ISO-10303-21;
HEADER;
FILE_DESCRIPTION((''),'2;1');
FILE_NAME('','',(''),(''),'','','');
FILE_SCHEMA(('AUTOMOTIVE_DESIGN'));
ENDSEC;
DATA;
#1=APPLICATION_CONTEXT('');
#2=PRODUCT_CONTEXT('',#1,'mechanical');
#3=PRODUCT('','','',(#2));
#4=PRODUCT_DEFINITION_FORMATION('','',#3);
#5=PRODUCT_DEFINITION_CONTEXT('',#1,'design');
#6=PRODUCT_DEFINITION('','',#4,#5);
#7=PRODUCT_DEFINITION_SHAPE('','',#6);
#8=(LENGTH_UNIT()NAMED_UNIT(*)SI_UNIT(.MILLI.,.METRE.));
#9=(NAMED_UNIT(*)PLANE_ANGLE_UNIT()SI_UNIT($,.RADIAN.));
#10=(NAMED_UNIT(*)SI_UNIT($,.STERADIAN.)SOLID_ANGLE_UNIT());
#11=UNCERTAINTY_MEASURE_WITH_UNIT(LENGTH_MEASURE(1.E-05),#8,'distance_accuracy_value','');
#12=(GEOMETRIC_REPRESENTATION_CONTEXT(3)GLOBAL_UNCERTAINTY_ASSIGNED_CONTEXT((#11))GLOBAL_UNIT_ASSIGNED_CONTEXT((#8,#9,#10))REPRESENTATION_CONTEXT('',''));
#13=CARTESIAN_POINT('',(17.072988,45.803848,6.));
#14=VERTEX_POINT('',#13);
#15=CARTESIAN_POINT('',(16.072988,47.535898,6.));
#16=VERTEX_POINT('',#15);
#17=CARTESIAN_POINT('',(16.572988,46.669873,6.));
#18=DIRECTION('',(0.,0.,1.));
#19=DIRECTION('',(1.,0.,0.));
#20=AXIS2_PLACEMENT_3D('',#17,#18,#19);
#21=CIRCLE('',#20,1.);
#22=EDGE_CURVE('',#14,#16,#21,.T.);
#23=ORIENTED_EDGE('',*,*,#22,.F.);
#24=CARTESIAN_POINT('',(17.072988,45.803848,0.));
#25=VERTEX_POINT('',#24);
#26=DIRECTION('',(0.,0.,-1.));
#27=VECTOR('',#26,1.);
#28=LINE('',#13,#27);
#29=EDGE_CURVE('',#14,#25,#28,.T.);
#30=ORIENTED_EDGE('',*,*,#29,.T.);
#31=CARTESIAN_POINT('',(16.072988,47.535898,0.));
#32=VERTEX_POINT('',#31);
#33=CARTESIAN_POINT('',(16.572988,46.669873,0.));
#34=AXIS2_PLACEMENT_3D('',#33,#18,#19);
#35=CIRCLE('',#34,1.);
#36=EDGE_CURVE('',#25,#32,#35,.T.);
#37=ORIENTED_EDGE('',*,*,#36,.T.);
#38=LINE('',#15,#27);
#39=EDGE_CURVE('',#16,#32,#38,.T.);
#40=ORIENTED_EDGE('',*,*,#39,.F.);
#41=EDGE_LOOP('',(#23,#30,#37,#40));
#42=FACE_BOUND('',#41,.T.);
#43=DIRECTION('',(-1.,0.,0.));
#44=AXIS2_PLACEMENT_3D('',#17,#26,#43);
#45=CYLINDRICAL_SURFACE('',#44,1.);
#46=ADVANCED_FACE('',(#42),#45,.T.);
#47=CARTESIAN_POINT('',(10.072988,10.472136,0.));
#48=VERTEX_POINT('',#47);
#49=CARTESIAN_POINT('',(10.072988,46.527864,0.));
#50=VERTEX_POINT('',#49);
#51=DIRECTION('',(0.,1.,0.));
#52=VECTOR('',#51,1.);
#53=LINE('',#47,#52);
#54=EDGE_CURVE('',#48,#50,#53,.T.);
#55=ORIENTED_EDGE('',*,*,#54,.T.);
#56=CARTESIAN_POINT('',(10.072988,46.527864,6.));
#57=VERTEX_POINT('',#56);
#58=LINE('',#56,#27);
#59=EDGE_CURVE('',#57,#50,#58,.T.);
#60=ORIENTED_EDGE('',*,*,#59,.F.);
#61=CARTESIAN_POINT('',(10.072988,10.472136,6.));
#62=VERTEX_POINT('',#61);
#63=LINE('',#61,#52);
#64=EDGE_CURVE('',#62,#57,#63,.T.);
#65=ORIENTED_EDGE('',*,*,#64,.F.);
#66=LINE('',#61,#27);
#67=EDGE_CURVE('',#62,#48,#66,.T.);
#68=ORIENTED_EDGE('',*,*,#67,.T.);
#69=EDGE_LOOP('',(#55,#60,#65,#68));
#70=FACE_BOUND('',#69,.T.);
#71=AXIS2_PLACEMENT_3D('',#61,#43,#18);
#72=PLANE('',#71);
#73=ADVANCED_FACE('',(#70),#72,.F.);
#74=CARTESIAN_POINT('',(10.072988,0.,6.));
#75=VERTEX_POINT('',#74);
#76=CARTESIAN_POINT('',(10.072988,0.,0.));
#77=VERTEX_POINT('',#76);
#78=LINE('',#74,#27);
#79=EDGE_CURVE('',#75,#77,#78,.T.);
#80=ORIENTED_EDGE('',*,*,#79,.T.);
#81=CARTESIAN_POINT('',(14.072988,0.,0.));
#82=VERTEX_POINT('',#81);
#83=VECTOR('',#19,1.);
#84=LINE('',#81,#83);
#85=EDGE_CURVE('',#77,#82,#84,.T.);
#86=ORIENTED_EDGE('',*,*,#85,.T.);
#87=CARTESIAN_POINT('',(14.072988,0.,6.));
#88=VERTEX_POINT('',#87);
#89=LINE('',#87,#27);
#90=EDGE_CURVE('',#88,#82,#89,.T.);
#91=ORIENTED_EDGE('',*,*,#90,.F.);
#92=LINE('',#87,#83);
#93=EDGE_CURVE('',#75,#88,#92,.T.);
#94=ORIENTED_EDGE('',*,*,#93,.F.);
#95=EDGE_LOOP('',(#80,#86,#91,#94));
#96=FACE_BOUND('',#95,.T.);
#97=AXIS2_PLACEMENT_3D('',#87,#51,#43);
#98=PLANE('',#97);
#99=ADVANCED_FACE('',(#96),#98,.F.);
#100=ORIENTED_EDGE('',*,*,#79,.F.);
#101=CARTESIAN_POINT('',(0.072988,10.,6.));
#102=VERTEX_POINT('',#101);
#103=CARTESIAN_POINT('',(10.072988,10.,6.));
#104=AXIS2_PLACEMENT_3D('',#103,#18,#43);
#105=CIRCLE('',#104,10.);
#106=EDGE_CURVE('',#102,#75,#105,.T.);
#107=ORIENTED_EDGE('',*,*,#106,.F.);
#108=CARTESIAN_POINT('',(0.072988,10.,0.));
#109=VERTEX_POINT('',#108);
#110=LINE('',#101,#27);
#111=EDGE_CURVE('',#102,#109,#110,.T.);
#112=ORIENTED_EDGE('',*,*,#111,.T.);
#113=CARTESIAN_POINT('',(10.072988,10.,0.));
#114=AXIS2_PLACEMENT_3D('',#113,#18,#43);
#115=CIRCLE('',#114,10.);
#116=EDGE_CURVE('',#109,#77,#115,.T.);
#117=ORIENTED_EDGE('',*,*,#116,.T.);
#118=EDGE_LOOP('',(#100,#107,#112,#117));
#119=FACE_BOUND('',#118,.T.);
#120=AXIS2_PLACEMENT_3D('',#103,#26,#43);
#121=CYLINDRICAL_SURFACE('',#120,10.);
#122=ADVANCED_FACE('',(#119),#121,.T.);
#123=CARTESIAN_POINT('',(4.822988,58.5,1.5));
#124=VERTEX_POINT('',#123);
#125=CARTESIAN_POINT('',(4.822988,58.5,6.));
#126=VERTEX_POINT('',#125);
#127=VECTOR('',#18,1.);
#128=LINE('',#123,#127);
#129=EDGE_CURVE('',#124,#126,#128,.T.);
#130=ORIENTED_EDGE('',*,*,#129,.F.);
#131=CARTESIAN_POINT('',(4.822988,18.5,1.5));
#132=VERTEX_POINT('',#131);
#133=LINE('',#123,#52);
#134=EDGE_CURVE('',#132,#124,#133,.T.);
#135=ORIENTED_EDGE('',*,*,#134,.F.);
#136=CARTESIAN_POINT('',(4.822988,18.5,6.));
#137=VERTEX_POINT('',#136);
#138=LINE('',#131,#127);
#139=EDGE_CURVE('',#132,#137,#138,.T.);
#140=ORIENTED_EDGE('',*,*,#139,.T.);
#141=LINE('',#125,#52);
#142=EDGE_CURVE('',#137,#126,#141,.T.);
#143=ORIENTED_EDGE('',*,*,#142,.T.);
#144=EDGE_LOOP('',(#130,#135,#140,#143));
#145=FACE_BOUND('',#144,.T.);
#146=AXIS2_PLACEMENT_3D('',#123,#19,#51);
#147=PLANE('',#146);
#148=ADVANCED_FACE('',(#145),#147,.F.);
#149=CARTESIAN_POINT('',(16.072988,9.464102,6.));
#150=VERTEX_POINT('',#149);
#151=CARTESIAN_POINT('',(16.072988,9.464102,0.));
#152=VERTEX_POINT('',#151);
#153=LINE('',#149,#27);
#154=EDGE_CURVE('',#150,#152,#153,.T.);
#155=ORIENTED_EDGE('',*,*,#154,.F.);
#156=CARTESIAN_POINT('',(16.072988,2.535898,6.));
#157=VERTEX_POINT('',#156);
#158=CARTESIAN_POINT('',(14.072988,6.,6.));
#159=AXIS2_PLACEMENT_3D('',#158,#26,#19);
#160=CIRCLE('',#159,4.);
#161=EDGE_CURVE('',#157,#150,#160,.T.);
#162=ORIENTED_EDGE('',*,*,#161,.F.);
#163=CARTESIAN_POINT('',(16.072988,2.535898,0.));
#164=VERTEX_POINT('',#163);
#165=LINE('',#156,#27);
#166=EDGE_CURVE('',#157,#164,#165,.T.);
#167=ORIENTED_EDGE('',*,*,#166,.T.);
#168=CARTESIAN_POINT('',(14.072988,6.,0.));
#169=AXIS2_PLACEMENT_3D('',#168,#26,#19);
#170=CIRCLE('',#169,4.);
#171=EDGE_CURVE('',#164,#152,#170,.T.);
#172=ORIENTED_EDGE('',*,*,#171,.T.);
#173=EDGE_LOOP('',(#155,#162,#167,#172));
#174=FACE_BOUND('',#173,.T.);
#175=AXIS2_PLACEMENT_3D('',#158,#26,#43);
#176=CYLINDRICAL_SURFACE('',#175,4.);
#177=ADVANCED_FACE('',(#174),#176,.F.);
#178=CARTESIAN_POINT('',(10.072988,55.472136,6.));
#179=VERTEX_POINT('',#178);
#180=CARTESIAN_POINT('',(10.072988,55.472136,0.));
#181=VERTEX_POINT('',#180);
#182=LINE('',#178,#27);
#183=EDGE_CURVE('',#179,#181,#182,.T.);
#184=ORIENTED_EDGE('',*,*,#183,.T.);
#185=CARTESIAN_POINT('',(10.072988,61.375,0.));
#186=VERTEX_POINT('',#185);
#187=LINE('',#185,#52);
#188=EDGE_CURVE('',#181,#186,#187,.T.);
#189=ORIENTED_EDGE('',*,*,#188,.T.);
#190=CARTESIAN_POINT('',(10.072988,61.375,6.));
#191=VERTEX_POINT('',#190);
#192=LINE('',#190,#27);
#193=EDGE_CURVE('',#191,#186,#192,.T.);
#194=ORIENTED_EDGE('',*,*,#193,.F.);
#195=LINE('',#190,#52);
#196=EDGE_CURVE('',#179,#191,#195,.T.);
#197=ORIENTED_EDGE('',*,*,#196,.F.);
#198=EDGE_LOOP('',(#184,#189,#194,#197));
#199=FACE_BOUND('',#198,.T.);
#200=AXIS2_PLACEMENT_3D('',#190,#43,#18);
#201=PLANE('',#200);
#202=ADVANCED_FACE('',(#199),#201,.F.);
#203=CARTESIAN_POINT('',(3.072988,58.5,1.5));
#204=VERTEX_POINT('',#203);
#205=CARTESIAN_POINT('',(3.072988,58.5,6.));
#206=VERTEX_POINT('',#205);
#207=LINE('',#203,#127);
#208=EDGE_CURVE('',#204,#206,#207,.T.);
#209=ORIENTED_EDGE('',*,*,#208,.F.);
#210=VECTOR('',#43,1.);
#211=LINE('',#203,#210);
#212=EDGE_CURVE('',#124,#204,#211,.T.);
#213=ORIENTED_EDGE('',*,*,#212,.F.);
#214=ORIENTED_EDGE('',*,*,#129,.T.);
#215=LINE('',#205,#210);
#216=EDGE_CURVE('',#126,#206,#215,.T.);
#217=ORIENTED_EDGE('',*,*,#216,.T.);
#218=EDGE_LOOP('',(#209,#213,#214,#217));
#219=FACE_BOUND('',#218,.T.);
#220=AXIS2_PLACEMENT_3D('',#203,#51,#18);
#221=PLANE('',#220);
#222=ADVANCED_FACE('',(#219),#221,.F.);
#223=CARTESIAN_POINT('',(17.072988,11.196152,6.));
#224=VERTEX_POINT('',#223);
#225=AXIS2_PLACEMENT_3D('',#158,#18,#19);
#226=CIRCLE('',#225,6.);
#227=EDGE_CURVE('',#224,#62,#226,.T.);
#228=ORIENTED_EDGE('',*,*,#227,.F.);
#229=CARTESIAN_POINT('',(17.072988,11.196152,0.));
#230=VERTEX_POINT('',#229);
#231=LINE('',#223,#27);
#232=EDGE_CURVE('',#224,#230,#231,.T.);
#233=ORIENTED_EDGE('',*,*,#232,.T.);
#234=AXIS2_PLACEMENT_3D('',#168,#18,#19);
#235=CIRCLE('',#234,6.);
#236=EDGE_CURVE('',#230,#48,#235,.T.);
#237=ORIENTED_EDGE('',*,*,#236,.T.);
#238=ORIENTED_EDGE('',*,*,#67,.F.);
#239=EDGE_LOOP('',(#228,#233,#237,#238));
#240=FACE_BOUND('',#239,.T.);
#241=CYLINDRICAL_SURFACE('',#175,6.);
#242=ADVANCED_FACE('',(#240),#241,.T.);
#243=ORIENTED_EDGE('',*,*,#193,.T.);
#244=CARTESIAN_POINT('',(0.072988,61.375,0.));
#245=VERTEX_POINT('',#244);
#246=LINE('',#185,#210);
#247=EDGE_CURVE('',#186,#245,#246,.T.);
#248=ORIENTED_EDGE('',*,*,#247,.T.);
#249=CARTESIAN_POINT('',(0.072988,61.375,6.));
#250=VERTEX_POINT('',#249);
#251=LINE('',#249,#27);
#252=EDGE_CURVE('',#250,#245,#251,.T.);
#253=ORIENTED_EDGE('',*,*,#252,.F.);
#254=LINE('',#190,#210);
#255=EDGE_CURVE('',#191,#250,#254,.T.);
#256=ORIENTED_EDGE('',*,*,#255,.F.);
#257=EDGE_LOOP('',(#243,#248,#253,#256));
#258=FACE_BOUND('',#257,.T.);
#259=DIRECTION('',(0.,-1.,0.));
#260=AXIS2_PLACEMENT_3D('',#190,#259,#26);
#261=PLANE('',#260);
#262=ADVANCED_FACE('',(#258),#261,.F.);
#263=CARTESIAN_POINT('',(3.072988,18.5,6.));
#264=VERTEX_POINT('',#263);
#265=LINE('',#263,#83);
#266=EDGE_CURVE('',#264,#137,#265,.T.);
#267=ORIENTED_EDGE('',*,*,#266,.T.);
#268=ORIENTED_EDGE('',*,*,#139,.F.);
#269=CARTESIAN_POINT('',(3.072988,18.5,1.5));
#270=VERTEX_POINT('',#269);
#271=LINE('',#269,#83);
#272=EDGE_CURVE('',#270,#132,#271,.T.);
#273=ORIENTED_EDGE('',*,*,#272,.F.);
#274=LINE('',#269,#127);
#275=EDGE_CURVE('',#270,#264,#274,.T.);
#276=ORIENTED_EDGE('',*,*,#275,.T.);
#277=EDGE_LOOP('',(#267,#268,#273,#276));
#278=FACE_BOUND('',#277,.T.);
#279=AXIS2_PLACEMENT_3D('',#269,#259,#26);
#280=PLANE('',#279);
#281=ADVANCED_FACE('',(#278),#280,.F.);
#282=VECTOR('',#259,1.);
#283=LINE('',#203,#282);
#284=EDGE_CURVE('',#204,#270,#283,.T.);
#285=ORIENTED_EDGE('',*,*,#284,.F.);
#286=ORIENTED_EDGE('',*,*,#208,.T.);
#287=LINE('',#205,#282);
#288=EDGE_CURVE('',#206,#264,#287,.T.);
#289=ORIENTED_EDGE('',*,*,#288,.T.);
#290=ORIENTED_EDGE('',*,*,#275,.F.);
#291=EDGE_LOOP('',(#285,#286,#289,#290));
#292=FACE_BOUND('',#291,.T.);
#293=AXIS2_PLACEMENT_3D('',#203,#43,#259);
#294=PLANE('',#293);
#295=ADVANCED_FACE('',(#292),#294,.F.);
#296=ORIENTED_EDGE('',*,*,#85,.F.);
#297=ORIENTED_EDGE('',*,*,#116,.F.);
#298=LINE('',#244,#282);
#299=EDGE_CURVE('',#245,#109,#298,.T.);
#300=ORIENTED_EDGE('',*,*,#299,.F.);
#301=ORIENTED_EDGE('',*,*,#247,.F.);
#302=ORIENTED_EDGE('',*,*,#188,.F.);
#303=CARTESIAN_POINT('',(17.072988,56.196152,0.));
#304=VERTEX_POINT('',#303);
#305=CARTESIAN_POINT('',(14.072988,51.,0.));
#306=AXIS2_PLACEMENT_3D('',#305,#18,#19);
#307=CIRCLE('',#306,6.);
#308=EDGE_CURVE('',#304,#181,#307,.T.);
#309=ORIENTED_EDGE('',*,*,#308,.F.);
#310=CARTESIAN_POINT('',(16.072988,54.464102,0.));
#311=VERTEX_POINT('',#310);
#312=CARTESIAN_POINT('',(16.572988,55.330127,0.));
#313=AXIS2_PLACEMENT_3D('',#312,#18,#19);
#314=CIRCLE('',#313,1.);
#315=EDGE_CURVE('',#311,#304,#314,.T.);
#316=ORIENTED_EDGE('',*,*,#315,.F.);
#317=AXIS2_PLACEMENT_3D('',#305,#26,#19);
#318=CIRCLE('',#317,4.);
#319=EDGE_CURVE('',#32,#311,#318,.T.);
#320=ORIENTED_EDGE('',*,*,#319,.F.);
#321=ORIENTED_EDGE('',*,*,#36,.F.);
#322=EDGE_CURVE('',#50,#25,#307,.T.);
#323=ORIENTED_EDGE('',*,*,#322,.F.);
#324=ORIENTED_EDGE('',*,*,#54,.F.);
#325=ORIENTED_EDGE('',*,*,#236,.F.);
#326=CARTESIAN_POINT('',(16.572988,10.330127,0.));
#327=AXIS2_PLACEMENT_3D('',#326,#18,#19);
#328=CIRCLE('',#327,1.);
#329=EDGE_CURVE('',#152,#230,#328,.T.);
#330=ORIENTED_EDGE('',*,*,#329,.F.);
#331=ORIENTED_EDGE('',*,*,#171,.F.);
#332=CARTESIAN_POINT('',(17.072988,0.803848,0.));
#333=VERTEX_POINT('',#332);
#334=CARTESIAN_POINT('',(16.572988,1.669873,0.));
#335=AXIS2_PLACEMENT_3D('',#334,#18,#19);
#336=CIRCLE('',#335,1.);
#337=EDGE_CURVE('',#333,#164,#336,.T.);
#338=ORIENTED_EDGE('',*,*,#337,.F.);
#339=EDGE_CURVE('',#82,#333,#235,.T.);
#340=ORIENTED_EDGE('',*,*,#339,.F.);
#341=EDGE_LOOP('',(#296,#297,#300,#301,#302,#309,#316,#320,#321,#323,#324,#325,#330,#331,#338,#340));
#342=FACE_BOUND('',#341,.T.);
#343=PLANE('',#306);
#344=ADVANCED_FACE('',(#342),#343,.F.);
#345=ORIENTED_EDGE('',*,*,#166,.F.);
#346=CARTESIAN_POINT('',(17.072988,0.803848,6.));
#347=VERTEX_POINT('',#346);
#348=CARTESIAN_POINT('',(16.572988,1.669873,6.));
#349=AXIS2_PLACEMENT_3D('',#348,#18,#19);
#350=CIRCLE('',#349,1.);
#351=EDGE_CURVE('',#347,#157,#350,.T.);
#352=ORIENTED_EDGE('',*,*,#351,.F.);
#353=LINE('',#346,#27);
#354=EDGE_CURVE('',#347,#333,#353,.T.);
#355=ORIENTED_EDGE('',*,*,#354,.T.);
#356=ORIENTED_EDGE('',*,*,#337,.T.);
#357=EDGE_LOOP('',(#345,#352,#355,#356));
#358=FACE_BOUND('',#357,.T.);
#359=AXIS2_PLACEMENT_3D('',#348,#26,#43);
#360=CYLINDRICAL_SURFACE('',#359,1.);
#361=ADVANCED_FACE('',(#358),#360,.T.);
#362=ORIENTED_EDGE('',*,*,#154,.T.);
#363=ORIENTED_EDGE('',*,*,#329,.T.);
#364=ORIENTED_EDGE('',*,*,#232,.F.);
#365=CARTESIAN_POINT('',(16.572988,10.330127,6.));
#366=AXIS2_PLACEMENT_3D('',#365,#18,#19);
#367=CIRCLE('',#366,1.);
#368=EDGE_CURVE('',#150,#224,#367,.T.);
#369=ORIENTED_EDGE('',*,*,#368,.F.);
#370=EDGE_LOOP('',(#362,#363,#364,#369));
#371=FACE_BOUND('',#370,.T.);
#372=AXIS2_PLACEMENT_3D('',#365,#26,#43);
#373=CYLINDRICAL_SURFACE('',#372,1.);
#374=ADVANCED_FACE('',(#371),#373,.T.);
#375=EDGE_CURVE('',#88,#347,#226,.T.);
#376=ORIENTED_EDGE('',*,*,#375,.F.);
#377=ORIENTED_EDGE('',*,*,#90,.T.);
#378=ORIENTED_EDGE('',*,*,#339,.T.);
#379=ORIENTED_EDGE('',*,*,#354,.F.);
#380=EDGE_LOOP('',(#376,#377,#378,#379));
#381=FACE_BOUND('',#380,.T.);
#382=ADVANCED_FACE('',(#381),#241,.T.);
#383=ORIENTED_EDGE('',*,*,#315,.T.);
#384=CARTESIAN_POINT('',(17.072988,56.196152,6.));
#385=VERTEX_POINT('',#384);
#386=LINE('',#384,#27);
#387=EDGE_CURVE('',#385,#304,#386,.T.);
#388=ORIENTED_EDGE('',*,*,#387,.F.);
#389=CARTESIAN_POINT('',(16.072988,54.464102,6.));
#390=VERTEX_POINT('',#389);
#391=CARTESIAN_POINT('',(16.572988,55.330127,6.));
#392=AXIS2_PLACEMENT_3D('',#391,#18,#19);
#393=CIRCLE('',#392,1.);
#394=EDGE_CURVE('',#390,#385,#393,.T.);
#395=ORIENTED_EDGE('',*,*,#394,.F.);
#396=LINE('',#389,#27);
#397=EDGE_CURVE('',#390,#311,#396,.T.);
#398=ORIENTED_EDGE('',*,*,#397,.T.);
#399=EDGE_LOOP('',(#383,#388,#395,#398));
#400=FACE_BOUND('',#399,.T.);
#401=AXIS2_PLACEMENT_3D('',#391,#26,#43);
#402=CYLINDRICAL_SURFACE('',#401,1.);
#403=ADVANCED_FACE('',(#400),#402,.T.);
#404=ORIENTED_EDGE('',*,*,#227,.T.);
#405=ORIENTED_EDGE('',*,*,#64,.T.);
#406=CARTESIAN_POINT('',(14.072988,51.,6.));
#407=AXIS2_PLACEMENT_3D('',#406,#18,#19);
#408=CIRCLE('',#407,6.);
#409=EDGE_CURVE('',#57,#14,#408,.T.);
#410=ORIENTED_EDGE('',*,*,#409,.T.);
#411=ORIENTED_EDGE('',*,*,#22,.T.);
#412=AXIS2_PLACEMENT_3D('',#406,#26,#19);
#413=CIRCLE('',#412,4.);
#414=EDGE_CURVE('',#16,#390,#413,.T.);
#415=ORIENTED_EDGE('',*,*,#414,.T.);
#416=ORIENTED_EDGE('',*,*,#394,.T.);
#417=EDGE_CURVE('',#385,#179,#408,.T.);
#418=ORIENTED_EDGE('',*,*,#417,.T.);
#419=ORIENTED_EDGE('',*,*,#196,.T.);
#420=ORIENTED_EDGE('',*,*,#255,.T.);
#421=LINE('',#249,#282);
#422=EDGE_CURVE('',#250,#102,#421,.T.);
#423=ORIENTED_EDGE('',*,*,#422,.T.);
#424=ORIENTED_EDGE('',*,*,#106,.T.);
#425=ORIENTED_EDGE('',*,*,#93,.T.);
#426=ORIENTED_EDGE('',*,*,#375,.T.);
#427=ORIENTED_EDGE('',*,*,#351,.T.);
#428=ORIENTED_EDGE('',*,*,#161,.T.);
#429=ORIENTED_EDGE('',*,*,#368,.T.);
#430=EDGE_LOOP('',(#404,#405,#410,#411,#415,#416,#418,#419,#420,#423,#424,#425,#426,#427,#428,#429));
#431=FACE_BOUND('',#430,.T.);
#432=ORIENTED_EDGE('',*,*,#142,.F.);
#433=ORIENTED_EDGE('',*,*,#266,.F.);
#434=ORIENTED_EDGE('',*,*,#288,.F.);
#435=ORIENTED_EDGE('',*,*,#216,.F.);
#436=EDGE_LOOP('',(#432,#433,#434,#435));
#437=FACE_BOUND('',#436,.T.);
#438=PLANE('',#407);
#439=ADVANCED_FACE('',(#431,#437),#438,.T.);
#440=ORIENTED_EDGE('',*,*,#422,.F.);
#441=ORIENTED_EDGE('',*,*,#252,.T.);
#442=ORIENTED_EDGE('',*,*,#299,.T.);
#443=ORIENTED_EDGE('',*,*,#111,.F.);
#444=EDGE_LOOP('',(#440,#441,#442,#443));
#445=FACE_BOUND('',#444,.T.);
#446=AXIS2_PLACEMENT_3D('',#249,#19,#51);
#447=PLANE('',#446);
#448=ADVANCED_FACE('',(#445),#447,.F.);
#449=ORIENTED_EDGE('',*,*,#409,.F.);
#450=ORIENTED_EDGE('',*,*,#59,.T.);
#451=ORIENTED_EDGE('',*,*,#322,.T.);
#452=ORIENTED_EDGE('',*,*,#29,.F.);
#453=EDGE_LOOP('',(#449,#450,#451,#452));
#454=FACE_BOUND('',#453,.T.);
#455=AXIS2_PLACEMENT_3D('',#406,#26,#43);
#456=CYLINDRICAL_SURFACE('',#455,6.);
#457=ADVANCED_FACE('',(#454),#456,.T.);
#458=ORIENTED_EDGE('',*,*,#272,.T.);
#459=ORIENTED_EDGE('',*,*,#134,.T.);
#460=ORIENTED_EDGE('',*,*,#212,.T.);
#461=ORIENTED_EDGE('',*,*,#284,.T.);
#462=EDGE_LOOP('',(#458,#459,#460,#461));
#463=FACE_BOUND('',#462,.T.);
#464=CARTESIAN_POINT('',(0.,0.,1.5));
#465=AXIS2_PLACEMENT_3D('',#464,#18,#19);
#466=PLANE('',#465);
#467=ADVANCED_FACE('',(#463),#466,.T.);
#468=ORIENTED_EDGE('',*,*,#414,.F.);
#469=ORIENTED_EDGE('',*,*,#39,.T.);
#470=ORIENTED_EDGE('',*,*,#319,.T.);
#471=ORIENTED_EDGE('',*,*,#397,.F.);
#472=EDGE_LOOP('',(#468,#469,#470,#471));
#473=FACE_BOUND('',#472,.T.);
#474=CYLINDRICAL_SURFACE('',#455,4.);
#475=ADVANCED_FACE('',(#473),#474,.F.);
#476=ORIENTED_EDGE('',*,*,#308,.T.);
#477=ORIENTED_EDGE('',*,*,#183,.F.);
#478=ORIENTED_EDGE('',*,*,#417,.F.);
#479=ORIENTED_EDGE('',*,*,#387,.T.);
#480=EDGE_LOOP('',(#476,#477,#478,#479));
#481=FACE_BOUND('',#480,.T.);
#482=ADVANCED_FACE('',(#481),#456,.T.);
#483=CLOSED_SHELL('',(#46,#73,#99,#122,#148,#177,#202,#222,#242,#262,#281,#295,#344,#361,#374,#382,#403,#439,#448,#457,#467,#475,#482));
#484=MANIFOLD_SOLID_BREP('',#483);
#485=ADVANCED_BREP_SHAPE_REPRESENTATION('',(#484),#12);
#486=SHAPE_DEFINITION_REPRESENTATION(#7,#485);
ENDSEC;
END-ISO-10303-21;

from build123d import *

# Parameters (mm, degrees)
BOSS_EXTRUDE_BASE_DEPTH = 6
SKETCH4_W               = 1.75
SKETCH4_H               = 40
CUT_EXTRUDE_SLOT_DEPTH  = 4.5


with BuildPart() as part:
    # Sketch1 → Boss-Extrude-Base (new body)
    with BuildSketch(Plane.XY):
        with BuildLine():
            Line((10.072988134, 10.472135955), (10.072988134, 46.527864045))
            ThreePointArc((10.072988134, 46.527864045), (13.45569569, 45.031838638), (17.072988134, 45.803847577))
            ThreePointArc((17.072988134, 45.803847577), (17.439013538, 47.169872981), (16.072988134, 47.535898385))
            ThreePointArc((16.072988134, 47.535898385), (10.072988134, 51), (16.072988134, 54.464101615))
            ThreePointArc((16.072988134, 54.464101615), (17.439013538, 54.830127019), (17.072988134, 56.196152423))
            ThreePointArc((17.072988134, 56.196152423), (13.45569569, 56.968161362), (10.072988134, 55.472135955))
            Line((10.072988134, 55.472135955), (10.072988134, 61.375))
            Line((10.072988134, 61.375), (0.072988134, 61.375))
            Line((0.072988134, 61.375), (0.072988134, 10))
            ThreePointArc((0.072988134, 10), (3.001920322, 2.928932188), (10.072988134, 0))
            Line((10.072988134, 0), (14.072988134, 0))
            ThreePointArc((14.072988134, 0), (15.625902405, 0.204445042), (17.072988134, 0.803847577))
            ThreePointArc((17.072988134, 0.803847577), (17.439013538, 2.169872981), (16.072988134, 2.535898385))
            ThreePointArc((16.072988134, 2.535898385), (10.072988134, 6), (16.072988134, 9.464101615))
            ThreePointArc((16.072988134, 9.464101615), (17.439013538, 9.830127019), (17.072988134, 11.196152423))
            ThreePointArc((17.072988134, 11.196152423), (13.45569569, 11.968161362), (10.072988134, 10.472135955))
        make_face()
    extrude(amount=BOSS_EXTRUDE_BASE_DEPTH)

    # Sketch4 → Cut-Extrude-Slot (cut)
    with BuildSketch(Plane.XY.offset(6)):
        with Locations((3.947988134, 38.5)):
            Rectangle(SKETCH4_W, SKETCH4_H)
    extrude(amount=-CUT_EXTRUDE_SLOT_DEPTH, mode=Mode.SUBTRACT)


solid = part.part
